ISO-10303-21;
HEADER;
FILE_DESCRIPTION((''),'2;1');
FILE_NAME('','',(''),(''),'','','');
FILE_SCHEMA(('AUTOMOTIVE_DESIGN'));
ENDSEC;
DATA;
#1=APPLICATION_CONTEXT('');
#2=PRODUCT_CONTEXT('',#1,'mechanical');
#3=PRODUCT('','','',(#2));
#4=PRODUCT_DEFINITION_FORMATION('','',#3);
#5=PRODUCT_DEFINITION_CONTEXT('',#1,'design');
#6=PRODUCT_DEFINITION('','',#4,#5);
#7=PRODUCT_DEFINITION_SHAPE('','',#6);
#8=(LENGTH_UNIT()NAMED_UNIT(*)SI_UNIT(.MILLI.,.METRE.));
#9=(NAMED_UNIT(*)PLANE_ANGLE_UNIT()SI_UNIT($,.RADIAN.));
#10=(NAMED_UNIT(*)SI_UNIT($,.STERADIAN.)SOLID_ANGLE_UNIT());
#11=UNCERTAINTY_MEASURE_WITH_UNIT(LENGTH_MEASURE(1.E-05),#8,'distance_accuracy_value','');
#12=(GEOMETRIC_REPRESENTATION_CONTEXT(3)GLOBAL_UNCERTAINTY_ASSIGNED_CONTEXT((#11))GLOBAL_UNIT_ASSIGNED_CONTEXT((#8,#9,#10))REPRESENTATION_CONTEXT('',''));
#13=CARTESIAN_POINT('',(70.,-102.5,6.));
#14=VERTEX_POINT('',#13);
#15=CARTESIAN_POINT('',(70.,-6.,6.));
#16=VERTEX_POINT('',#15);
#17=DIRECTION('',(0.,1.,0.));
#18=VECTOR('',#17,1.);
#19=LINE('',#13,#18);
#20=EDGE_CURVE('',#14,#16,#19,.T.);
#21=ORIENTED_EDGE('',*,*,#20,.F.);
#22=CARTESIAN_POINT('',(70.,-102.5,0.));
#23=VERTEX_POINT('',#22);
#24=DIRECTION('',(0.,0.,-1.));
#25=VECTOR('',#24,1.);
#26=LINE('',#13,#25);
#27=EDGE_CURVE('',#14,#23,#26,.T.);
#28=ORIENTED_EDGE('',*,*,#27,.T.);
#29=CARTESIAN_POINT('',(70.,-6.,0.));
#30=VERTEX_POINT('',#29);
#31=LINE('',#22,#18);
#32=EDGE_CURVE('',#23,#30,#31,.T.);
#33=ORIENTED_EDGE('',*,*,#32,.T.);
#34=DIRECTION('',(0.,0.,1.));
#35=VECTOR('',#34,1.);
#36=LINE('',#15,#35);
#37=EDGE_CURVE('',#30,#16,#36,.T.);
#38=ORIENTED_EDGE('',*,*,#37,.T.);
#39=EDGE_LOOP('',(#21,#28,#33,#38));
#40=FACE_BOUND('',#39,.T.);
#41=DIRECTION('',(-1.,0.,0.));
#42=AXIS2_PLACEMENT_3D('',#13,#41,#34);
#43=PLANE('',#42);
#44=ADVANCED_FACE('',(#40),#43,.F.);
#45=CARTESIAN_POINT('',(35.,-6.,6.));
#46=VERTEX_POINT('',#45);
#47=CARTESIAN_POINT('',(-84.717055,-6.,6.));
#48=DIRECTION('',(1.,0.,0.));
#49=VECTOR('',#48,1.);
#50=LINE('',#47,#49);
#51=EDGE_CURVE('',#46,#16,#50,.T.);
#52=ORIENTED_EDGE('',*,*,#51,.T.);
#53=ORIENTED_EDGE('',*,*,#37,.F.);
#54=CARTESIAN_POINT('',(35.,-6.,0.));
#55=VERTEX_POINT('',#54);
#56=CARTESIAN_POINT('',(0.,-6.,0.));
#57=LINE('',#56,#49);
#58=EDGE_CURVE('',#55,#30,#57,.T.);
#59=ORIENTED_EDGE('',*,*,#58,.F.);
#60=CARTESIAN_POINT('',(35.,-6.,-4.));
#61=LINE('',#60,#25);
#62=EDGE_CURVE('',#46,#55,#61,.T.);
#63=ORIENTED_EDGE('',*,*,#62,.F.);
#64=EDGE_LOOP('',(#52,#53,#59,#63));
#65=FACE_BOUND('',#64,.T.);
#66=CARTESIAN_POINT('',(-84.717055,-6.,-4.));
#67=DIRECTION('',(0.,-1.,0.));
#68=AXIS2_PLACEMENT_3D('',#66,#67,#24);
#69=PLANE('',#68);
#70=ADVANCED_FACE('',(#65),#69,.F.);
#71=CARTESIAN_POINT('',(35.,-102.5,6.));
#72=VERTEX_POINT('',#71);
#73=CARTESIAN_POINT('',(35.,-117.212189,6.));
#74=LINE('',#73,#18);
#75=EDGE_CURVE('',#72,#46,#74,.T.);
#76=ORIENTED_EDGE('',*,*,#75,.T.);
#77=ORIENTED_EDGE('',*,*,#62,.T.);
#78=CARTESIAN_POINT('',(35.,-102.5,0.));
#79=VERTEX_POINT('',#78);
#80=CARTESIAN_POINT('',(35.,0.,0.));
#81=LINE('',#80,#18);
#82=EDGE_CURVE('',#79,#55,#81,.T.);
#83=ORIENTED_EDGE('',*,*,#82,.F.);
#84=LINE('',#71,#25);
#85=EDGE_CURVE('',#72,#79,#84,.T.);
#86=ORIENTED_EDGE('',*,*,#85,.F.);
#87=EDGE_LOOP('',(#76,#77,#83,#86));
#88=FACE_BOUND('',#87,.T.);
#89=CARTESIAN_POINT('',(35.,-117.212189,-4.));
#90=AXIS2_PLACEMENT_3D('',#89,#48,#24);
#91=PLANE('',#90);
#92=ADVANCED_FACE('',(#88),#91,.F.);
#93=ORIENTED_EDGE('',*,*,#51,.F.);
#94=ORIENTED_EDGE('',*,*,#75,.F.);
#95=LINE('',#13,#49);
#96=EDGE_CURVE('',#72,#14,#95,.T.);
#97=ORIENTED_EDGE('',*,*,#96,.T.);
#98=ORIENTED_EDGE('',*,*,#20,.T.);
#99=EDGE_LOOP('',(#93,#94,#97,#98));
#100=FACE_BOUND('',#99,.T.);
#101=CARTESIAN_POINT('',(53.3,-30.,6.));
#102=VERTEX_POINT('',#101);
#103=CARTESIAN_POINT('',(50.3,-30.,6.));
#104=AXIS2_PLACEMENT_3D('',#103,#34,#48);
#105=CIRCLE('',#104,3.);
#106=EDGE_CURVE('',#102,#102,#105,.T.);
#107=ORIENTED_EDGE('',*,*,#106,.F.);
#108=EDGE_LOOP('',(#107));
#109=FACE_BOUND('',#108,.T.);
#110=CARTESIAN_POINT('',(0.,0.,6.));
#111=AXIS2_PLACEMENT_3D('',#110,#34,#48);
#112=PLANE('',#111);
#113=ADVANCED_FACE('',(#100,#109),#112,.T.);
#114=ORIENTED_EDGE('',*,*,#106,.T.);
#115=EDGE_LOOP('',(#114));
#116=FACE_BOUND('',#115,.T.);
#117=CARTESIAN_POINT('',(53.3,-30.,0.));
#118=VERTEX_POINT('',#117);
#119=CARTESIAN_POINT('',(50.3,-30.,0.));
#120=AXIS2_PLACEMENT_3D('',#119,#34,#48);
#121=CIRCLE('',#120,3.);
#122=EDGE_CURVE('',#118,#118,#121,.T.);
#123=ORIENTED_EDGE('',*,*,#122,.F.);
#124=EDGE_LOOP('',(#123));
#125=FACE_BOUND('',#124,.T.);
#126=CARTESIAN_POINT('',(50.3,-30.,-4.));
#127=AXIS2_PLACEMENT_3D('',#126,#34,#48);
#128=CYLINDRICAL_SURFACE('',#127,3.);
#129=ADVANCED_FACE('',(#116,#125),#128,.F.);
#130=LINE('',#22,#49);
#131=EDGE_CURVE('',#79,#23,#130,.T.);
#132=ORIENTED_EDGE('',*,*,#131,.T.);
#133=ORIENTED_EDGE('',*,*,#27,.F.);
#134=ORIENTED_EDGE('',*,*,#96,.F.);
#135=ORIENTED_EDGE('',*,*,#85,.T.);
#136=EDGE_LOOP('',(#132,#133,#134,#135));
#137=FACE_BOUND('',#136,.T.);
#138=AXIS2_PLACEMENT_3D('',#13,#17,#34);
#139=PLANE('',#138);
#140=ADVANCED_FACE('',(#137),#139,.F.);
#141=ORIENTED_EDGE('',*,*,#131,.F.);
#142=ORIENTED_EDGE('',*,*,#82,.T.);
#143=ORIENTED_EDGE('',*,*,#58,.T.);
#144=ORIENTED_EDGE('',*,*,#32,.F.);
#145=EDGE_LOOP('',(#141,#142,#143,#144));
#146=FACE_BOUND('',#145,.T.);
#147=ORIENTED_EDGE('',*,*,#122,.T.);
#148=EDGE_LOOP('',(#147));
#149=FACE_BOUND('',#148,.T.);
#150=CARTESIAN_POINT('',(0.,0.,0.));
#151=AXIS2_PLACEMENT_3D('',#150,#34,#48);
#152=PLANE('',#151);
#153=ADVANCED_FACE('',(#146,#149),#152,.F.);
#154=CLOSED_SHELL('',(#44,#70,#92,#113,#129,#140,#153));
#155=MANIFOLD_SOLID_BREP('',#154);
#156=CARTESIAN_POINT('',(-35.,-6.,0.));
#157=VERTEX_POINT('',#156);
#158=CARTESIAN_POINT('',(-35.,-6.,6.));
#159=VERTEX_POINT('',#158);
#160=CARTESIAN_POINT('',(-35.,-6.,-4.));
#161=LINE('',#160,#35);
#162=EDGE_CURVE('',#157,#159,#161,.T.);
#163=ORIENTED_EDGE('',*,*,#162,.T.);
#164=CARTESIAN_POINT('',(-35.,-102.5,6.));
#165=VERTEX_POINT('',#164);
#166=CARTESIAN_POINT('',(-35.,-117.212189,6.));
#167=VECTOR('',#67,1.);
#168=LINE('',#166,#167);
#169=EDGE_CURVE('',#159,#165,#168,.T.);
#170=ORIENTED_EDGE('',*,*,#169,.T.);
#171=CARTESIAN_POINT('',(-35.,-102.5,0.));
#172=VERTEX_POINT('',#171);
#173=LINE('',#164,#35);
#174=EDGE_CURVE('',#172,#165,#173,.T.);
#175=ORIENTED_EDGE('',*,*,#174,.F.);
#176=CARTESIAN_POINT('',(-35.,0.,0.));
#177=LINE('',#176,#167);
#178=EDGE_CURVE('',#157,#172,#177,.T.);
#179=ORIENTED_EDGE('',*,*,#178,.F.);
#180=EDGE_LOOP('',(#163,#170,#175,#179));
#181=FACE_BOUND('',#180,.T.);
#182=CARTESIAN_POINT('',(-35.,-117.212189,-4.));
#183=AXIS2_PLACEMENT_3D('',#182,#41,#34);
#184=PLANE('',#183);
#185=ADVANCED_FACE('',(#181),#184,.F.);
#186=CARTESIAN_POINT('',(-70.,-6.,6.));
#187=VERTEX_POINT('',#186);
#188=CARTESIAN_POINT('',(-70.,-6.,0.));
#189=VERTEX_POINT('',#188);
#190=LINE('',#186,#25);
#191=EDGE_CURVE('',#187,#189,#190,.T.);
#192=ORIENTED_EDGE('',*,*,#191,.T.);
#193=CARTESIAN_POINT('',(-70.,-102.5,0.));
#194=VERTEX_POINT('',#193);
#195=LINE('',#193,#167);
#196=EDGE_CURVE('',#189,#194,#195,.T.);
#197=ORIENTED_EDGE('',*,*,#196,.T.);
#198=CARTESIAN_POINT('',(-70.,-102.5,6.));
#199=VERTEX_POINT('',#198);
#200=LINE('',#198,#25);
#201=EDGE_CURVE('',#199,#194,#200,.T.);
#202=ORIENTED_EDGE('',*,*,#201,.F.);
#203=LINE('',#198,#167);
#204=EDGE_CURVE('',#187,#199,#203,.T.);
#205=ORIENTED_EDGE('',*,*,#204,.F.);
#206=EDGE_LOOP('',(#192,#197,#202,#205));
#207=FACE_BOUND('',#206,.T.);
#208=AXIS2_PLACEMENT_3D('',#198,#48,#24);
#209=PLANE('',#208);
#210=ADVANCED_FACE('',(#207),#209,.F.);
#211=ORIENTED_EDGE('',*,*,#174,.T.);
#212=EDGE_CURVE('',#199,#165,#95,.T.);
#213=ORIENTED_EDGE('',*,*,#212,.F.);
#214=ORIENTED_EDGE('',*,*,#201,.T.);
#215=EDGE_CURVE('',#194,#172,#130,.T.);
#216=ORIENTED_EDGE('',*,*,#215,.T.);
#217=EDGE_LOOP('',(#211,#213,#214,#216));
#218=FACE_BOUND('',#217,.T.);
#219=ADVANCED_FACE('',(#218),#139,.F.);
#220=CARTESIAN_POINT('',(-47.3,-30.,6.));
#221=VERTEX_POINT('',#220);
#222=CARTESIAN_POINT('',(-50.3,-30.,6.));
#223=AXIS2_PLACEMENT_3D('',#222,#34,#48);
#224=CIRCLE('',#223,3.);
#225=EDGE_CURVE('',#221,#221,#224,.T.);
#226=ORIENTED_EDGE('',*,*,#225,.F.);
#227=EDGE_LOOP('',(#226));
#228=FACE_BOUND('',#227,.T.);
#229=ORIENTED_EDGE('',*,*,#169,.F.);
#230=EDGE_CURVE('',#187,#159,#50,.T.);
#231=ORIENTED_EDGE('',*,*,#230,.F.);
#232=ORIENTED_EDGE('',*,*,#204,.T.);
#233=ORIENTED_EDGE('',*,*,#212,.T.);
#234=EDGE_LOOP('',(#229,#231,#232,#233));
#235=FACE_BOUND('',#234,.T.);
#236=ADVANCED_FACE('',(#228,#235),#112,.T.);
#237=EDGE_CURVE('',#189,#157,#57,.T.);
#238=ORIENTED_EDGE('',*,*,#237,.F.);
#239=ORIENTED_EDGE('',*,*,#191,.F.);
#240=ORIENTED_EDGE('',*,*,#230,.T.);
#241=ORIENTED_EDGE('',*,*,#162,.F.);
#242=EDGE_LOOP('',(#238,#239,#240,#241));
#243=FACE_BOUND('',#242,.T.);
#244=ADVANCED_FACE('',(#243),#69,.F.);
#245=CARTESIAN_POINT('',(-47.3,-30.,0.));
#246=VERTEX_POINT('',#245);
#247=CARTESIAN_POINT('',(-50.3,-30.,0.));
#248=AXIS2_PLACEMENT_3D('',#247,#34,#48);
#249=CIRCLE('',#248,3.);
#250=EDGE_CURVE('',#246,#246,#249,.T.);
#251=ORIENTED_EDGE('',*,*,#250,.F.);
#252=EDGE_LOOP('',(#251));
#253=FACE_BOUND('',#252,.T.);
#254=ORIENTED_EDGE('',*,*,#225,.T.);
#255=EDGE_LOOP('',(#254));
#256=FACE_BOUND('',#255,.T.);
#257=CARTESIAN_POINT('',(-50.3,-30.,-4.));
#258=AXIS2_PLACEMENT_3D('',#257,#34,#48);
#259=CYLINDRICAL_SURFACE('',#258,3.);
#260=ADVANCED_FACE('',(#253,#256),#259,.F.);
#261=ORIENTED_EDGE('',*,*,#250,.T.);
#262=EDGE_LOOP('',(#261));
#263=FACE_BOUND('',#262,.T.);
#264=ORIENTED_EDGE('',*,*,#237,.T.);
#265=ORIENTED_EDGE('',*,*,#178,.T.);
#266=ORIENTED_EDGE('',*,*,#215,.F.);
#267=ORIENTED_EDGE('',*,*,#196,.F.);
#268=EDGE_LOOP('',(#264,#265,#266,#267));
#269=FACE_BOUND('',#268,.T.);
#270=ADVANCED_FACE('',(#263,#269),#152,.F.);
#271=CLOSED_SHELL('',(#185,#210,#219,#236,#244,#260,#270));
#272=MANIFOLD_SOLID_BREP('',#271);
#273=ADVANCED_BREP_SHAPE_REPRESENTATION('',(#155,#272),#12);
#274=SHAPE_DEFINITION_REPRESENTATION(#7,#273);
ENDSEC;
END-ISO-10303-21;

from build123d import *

# Parameters (mm, degrees)
SKETCH1_W           = 140
SKETCH1_H           = 165
BOSS_EXTRUDE1_DEPTH = 6
FILLET1_R           = 10
SKETCH9_R           = 3
CUT_EXTRUDE1_DEPTH  = 10
SKETCH10_W          = 70
SKETCH10_H          = 195.841362381
CUT_EXTRUDE2_DEPTH  = 10
SKETCH11_W          = 172.77482736
SKETCH11_H          = 74.169235041
CUT_EXTRUDE4_DEPTH  = 10


with BuildPart() as part:
    # Sketch1 → Boss-Extrude1 (new body)
    with BuildSketch(Plane.XY):
        with Locations((0, -20)):
            Rectangle(SKETCH1_W, SKETCH1_H)
    extrude(amount=BOSS_EXTRUDE1_DEPTH)

    # Fillet1
    fillet1_edges = [part.edges().sort_by_distance(p)[0] for p in [
        (-70, 62.5, 3),
        (70, 62.5, 3),
    ]]
    fillet(fillet1_edges, radius=FILLET1_R)

    # Sketch9 → Cut-Extrude1 (cut)
    with BuildSketch(Plane.XY.offset(6)):
        with Locations((50.3, 30)):
            Circle(SKETCH9_R)
        with Locations((50.3, -30)):
            Circle(SKETCH9_R)
        with Locations((-50.3, 30)):
            Circle(SKETCH9_R)
        with Locations((-50.3, -30)):
            Circle(SKETCH9_R)
    extrude(amount=-CUT_EXTRUDE1_DEPTH, mode=Mode.SUBTRACT)

    # Sketch10 → Cut-Extrude2 (cut)
    with BuildSketch(Plane.XY.offset(6)):
        with Locations((0, -19.291507384)):
            Rectangle(SKETCH10_W, SKETCH10_H)
    extrude(amount=-CUT_EXTRUDE2_DEPTH, mode=Mode.SUBTRACT)

    # Sketch11 → Cut-Extrude4 (cut)
    with BuildSketch(Plane.XY.offset(6)):
        with Locations((1.670358486, 31.084617521)):
            Rectangle(SKETCH11_W, SKETCH11_H)
    extrude(amount=-CUT_EXTRUDE4_DEPTH, mode=Mode.SUBTRACT)


solid = part.part
